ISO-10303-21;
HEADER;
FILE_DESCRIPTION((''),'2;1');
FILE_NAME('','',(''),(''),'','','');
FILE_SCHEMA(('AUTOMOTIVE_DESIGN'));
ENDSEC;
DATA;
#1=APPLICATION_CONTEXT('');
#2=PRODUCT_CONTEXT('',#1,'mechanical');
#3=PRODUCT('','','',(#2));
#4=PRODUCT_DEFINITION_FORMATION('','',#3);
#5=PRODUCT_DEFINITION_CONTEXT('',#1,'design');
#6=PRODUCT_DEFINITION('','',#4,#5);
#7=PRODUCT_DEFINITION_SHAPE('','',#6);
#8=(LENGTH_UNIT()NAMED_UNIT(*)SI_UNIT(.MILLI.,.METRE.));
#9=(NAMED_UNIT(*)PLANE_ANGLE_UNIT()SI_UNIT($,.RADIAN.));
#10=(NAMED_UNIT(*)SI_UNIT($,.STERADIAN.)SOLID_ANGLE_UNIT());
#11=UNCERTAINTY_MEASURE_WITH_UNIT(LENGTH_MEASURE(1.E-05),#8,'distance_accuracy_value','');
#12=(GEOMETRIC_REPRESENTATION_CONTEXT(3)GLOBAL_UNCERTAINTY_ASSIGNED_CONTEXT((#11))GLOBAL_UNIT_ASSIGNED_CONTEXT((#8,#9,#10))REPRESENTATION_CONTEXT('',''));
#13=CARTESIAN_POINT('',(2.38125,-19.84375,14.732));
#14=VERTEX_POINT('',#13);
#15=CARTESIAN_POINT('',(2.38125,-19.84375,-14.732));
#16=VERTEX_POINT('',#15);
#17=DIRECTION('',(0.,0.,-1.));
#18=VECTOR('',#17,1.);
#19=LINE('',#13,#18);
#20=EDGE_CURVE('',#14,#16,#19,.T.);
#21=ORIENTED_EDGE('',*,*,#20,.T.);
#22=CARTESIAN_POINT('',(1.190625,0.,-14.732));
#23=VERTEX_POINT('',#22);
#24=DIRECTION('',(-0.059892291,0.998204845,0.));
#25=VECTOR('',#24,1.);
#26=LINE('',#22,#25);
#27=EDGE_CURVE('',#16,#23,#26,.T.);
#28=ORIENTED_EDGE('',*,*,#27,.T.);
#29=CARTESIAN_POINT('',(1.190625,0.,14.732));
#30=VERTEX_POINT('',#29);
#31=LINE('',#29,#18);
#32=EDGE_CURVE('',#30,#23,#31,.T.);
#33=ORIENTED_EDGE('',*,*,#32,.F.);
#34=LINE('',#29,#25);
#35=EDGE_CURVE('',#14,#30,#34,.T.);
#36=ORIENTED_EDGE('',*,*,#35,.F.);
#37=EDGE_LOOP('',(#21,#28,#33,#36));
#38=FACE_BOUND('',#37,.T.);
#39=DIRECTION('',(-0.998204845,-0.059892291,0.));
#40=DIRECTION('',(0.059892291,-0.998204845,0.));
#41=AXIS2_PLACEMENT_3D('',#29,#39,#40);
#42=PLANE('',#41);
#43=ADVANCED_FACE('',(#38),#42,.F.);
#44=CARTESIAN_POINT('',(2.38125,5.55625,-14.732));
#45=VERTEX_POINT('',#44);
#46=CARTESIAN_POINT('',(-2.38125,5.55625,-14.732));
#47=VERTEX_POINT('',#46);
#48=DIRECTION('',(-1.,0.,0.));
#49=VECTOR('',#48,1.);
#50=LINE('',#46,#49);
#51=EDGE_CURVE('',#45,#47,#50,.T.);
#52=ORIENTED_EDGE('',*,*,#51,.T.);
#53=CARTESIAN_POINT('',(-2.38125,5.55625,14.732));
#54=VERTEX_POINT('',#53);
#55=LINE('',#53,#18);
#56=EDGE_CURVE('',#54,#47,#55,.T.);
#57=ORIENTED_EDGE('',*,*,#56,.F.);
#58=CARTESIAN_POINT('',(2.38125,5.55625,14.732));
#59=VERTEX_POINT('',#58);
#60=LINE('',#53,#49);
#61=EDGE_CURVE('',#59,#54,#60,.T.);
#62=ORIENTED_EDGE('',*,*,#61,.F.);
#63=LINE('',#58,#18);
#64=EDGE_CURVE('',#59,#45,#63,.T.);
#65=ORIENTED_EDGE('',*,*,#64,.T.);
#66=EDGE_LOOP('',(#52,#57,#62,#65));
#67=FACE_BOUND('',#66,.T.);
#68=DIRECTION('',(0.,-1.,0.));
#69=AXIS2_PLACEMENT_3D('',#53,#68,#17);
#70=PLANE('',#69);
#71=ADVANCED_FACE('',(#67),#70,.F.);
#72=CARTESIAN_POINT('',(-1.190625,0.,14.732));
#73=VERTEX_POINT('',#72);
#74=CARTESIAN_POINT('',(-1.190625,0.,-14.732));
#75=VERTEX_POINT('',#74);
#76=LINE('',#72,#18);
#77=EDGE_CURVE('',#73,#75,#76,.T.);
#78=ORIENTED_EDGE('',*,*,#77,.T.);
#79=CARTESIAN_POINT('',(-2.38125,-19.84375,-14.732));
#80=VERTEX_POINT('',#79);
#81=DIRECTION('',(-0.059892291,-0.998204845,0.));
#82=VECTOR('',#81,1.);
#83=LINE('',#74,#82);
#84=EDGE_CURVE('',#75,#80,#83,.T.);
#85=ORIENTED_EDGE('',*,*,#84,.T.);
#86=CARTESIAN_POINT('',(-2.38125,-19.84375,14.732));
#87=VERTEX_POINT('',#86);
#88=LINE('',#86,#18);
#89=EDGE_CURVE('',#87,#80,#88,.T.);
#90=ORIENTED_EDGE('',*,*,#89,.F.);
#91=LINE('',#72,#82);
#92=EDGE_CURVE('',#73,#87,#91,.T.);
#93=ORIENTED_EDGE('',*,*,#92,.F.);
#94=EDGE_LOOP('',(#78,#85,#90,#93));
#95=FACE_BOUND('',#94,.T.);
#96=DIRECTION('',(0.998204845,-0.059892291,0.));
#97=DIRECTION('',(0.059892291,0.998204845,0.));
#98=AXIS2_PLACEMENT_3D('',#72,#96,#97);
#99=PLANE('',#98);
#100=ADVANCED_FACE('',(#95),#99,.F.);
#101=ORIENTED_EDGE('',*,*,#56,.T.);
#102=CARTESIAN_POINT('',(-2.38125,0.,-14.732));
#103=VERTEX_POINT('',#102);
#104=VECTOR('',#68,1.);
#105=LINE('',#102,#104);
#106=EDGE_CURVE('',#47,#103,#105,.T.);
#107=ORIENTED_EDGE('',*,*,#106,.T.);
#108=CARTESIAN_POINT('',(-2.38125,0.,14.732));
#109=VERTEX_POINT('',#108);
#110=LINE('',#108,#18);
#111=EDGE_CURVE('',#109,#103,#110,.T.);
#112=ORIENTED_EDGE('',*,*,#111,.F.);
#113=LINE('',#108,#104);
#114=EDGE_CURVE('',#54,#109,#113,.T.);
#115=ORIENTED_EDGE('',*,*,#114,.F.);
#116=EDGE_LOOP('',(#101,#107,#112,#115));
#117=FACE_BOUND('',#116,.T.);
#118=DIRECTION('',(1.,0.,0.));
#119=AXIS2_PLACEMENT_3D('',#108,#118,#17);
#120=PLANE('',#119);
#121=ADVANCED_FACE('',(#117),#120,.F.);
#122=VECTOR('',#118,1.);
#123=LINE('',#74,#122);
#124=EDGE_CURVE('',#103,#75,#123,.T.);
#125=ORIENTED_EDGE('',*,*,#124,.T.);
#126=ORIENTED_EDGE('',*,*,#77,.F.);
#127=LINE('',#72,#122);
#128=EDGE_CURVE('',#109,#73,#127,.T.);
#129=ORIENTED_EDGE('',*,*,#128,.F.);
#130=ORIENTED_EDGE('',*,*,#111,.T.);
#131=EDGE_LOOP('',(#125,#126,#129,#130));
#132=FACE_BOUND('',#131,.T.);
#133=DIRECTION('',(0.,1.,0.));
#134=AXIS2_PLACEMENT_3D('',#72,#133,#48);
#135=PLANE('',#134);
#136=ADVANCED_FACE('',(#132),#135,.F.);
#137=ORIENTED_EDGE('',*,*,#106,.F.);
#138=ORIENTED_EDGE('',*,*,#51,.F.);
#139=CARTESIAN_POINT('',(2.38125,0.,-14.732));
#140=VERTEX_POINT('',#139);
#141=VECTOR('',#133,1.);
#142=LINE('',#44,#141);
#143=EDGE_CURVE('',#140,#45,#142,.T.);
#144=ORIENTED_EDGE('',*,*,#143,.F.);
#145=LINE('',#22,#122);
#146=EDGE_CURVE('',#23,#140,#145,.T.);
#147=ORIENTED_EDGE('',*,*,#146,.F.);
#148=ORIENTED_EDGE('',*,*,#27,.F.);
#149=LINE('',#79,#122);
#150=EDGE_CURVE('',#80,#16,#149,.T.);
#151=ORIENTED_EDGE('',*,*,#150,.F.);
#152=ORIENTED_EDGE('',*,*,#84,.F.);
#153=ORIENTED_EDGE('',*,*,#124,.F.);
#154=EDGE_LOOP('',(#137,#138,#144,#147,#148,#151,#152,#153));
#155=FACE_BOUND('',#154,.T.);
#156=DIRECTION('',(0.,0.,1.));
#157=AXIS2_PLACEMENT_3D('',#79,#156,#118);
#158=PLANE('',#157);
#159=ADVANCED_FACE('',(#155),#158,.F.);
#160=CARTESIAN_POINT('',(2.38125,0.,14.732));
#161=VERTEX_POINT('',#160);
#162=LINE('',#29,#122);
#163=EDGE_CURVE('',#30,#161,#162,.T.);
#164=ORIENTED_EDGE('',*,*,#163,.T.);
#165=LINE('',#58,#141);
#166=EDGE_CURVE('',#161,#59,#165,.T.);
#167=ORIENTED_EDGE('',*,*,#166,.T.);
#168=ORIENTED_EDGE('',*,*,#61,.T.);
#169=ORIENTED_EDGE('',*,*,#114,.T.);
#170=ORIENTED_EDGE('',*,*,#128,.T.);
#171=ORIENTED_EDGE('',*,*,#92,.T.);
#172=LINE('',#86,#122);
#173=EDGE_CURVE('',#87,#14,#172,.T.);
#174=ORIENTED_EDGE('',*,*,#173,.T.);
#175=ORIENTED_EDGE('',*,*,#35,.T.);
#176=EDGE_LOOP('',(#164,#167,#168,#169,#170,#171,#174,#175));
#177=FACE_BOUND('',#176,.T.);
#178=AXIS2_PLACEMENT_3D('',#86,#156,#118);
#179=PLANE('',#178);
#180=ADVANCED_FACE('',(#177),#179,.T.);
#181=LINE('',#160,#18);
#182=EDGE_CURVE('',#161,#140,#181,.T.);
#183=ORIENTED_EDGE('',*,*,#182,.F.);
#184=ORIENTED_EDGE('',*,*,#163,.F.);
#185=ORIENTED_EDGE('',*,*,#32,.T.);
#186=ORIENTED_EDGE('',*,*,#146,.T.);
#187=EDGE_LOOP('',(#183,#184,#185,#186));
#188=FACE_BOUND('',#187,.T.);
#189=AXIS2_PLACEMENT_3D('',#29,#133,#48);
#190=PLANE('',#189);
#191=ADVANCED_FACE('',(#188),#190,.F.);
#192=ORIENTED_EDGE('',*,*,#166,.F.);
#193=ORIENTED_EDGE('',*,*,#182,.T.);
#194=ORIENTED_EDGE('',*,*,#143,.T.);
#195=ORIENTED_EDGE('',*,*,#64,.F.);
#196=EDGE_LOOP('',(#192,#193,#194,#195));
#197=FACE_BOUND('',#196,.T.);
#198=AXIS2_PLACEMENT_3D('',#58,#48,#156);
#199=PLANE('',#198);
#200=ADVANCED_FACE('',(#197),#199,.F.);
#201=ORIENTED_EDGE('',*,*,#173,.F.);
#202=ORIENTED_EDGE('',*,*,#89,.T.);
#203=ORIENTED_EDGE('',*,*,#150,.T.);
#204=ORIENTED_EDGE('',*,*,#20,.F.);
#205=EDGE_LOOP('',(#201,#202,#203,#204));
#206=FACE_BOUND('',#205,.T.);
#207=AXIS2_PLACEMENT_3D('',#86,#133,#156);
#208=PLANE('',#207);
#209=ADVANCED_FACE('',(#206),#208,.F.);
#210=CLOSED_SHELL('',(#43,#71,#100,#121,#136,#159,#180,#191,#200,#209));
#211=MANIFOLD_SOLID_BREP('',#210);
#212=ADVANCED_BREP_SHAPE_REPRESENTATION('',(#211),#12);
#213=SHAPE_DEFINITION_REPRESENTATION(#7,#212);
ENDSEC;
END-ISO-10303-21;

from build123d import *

# Parameters (mm, degrees)
BOSS_EXTRUDE1_DEPTH = 14.732


with BuildPart() as part:
    # Sketch1 → Boss-Extrude1 (new body, symmetric)
    with BuildSketch(Plane.XY):
        Polygon((-1.190625, 0), (-2.38125, 0), (-2.38125, 5.55625), (2.38125, 5.55625), (2.38125, 0), (1.190625, 0), (2.38125, -19.84375), (-2.38125, -19.84375), align=None)
    extrude(amount=BOSS_EXTRUDE1_DEPTH, both=True)


solid = part.part
